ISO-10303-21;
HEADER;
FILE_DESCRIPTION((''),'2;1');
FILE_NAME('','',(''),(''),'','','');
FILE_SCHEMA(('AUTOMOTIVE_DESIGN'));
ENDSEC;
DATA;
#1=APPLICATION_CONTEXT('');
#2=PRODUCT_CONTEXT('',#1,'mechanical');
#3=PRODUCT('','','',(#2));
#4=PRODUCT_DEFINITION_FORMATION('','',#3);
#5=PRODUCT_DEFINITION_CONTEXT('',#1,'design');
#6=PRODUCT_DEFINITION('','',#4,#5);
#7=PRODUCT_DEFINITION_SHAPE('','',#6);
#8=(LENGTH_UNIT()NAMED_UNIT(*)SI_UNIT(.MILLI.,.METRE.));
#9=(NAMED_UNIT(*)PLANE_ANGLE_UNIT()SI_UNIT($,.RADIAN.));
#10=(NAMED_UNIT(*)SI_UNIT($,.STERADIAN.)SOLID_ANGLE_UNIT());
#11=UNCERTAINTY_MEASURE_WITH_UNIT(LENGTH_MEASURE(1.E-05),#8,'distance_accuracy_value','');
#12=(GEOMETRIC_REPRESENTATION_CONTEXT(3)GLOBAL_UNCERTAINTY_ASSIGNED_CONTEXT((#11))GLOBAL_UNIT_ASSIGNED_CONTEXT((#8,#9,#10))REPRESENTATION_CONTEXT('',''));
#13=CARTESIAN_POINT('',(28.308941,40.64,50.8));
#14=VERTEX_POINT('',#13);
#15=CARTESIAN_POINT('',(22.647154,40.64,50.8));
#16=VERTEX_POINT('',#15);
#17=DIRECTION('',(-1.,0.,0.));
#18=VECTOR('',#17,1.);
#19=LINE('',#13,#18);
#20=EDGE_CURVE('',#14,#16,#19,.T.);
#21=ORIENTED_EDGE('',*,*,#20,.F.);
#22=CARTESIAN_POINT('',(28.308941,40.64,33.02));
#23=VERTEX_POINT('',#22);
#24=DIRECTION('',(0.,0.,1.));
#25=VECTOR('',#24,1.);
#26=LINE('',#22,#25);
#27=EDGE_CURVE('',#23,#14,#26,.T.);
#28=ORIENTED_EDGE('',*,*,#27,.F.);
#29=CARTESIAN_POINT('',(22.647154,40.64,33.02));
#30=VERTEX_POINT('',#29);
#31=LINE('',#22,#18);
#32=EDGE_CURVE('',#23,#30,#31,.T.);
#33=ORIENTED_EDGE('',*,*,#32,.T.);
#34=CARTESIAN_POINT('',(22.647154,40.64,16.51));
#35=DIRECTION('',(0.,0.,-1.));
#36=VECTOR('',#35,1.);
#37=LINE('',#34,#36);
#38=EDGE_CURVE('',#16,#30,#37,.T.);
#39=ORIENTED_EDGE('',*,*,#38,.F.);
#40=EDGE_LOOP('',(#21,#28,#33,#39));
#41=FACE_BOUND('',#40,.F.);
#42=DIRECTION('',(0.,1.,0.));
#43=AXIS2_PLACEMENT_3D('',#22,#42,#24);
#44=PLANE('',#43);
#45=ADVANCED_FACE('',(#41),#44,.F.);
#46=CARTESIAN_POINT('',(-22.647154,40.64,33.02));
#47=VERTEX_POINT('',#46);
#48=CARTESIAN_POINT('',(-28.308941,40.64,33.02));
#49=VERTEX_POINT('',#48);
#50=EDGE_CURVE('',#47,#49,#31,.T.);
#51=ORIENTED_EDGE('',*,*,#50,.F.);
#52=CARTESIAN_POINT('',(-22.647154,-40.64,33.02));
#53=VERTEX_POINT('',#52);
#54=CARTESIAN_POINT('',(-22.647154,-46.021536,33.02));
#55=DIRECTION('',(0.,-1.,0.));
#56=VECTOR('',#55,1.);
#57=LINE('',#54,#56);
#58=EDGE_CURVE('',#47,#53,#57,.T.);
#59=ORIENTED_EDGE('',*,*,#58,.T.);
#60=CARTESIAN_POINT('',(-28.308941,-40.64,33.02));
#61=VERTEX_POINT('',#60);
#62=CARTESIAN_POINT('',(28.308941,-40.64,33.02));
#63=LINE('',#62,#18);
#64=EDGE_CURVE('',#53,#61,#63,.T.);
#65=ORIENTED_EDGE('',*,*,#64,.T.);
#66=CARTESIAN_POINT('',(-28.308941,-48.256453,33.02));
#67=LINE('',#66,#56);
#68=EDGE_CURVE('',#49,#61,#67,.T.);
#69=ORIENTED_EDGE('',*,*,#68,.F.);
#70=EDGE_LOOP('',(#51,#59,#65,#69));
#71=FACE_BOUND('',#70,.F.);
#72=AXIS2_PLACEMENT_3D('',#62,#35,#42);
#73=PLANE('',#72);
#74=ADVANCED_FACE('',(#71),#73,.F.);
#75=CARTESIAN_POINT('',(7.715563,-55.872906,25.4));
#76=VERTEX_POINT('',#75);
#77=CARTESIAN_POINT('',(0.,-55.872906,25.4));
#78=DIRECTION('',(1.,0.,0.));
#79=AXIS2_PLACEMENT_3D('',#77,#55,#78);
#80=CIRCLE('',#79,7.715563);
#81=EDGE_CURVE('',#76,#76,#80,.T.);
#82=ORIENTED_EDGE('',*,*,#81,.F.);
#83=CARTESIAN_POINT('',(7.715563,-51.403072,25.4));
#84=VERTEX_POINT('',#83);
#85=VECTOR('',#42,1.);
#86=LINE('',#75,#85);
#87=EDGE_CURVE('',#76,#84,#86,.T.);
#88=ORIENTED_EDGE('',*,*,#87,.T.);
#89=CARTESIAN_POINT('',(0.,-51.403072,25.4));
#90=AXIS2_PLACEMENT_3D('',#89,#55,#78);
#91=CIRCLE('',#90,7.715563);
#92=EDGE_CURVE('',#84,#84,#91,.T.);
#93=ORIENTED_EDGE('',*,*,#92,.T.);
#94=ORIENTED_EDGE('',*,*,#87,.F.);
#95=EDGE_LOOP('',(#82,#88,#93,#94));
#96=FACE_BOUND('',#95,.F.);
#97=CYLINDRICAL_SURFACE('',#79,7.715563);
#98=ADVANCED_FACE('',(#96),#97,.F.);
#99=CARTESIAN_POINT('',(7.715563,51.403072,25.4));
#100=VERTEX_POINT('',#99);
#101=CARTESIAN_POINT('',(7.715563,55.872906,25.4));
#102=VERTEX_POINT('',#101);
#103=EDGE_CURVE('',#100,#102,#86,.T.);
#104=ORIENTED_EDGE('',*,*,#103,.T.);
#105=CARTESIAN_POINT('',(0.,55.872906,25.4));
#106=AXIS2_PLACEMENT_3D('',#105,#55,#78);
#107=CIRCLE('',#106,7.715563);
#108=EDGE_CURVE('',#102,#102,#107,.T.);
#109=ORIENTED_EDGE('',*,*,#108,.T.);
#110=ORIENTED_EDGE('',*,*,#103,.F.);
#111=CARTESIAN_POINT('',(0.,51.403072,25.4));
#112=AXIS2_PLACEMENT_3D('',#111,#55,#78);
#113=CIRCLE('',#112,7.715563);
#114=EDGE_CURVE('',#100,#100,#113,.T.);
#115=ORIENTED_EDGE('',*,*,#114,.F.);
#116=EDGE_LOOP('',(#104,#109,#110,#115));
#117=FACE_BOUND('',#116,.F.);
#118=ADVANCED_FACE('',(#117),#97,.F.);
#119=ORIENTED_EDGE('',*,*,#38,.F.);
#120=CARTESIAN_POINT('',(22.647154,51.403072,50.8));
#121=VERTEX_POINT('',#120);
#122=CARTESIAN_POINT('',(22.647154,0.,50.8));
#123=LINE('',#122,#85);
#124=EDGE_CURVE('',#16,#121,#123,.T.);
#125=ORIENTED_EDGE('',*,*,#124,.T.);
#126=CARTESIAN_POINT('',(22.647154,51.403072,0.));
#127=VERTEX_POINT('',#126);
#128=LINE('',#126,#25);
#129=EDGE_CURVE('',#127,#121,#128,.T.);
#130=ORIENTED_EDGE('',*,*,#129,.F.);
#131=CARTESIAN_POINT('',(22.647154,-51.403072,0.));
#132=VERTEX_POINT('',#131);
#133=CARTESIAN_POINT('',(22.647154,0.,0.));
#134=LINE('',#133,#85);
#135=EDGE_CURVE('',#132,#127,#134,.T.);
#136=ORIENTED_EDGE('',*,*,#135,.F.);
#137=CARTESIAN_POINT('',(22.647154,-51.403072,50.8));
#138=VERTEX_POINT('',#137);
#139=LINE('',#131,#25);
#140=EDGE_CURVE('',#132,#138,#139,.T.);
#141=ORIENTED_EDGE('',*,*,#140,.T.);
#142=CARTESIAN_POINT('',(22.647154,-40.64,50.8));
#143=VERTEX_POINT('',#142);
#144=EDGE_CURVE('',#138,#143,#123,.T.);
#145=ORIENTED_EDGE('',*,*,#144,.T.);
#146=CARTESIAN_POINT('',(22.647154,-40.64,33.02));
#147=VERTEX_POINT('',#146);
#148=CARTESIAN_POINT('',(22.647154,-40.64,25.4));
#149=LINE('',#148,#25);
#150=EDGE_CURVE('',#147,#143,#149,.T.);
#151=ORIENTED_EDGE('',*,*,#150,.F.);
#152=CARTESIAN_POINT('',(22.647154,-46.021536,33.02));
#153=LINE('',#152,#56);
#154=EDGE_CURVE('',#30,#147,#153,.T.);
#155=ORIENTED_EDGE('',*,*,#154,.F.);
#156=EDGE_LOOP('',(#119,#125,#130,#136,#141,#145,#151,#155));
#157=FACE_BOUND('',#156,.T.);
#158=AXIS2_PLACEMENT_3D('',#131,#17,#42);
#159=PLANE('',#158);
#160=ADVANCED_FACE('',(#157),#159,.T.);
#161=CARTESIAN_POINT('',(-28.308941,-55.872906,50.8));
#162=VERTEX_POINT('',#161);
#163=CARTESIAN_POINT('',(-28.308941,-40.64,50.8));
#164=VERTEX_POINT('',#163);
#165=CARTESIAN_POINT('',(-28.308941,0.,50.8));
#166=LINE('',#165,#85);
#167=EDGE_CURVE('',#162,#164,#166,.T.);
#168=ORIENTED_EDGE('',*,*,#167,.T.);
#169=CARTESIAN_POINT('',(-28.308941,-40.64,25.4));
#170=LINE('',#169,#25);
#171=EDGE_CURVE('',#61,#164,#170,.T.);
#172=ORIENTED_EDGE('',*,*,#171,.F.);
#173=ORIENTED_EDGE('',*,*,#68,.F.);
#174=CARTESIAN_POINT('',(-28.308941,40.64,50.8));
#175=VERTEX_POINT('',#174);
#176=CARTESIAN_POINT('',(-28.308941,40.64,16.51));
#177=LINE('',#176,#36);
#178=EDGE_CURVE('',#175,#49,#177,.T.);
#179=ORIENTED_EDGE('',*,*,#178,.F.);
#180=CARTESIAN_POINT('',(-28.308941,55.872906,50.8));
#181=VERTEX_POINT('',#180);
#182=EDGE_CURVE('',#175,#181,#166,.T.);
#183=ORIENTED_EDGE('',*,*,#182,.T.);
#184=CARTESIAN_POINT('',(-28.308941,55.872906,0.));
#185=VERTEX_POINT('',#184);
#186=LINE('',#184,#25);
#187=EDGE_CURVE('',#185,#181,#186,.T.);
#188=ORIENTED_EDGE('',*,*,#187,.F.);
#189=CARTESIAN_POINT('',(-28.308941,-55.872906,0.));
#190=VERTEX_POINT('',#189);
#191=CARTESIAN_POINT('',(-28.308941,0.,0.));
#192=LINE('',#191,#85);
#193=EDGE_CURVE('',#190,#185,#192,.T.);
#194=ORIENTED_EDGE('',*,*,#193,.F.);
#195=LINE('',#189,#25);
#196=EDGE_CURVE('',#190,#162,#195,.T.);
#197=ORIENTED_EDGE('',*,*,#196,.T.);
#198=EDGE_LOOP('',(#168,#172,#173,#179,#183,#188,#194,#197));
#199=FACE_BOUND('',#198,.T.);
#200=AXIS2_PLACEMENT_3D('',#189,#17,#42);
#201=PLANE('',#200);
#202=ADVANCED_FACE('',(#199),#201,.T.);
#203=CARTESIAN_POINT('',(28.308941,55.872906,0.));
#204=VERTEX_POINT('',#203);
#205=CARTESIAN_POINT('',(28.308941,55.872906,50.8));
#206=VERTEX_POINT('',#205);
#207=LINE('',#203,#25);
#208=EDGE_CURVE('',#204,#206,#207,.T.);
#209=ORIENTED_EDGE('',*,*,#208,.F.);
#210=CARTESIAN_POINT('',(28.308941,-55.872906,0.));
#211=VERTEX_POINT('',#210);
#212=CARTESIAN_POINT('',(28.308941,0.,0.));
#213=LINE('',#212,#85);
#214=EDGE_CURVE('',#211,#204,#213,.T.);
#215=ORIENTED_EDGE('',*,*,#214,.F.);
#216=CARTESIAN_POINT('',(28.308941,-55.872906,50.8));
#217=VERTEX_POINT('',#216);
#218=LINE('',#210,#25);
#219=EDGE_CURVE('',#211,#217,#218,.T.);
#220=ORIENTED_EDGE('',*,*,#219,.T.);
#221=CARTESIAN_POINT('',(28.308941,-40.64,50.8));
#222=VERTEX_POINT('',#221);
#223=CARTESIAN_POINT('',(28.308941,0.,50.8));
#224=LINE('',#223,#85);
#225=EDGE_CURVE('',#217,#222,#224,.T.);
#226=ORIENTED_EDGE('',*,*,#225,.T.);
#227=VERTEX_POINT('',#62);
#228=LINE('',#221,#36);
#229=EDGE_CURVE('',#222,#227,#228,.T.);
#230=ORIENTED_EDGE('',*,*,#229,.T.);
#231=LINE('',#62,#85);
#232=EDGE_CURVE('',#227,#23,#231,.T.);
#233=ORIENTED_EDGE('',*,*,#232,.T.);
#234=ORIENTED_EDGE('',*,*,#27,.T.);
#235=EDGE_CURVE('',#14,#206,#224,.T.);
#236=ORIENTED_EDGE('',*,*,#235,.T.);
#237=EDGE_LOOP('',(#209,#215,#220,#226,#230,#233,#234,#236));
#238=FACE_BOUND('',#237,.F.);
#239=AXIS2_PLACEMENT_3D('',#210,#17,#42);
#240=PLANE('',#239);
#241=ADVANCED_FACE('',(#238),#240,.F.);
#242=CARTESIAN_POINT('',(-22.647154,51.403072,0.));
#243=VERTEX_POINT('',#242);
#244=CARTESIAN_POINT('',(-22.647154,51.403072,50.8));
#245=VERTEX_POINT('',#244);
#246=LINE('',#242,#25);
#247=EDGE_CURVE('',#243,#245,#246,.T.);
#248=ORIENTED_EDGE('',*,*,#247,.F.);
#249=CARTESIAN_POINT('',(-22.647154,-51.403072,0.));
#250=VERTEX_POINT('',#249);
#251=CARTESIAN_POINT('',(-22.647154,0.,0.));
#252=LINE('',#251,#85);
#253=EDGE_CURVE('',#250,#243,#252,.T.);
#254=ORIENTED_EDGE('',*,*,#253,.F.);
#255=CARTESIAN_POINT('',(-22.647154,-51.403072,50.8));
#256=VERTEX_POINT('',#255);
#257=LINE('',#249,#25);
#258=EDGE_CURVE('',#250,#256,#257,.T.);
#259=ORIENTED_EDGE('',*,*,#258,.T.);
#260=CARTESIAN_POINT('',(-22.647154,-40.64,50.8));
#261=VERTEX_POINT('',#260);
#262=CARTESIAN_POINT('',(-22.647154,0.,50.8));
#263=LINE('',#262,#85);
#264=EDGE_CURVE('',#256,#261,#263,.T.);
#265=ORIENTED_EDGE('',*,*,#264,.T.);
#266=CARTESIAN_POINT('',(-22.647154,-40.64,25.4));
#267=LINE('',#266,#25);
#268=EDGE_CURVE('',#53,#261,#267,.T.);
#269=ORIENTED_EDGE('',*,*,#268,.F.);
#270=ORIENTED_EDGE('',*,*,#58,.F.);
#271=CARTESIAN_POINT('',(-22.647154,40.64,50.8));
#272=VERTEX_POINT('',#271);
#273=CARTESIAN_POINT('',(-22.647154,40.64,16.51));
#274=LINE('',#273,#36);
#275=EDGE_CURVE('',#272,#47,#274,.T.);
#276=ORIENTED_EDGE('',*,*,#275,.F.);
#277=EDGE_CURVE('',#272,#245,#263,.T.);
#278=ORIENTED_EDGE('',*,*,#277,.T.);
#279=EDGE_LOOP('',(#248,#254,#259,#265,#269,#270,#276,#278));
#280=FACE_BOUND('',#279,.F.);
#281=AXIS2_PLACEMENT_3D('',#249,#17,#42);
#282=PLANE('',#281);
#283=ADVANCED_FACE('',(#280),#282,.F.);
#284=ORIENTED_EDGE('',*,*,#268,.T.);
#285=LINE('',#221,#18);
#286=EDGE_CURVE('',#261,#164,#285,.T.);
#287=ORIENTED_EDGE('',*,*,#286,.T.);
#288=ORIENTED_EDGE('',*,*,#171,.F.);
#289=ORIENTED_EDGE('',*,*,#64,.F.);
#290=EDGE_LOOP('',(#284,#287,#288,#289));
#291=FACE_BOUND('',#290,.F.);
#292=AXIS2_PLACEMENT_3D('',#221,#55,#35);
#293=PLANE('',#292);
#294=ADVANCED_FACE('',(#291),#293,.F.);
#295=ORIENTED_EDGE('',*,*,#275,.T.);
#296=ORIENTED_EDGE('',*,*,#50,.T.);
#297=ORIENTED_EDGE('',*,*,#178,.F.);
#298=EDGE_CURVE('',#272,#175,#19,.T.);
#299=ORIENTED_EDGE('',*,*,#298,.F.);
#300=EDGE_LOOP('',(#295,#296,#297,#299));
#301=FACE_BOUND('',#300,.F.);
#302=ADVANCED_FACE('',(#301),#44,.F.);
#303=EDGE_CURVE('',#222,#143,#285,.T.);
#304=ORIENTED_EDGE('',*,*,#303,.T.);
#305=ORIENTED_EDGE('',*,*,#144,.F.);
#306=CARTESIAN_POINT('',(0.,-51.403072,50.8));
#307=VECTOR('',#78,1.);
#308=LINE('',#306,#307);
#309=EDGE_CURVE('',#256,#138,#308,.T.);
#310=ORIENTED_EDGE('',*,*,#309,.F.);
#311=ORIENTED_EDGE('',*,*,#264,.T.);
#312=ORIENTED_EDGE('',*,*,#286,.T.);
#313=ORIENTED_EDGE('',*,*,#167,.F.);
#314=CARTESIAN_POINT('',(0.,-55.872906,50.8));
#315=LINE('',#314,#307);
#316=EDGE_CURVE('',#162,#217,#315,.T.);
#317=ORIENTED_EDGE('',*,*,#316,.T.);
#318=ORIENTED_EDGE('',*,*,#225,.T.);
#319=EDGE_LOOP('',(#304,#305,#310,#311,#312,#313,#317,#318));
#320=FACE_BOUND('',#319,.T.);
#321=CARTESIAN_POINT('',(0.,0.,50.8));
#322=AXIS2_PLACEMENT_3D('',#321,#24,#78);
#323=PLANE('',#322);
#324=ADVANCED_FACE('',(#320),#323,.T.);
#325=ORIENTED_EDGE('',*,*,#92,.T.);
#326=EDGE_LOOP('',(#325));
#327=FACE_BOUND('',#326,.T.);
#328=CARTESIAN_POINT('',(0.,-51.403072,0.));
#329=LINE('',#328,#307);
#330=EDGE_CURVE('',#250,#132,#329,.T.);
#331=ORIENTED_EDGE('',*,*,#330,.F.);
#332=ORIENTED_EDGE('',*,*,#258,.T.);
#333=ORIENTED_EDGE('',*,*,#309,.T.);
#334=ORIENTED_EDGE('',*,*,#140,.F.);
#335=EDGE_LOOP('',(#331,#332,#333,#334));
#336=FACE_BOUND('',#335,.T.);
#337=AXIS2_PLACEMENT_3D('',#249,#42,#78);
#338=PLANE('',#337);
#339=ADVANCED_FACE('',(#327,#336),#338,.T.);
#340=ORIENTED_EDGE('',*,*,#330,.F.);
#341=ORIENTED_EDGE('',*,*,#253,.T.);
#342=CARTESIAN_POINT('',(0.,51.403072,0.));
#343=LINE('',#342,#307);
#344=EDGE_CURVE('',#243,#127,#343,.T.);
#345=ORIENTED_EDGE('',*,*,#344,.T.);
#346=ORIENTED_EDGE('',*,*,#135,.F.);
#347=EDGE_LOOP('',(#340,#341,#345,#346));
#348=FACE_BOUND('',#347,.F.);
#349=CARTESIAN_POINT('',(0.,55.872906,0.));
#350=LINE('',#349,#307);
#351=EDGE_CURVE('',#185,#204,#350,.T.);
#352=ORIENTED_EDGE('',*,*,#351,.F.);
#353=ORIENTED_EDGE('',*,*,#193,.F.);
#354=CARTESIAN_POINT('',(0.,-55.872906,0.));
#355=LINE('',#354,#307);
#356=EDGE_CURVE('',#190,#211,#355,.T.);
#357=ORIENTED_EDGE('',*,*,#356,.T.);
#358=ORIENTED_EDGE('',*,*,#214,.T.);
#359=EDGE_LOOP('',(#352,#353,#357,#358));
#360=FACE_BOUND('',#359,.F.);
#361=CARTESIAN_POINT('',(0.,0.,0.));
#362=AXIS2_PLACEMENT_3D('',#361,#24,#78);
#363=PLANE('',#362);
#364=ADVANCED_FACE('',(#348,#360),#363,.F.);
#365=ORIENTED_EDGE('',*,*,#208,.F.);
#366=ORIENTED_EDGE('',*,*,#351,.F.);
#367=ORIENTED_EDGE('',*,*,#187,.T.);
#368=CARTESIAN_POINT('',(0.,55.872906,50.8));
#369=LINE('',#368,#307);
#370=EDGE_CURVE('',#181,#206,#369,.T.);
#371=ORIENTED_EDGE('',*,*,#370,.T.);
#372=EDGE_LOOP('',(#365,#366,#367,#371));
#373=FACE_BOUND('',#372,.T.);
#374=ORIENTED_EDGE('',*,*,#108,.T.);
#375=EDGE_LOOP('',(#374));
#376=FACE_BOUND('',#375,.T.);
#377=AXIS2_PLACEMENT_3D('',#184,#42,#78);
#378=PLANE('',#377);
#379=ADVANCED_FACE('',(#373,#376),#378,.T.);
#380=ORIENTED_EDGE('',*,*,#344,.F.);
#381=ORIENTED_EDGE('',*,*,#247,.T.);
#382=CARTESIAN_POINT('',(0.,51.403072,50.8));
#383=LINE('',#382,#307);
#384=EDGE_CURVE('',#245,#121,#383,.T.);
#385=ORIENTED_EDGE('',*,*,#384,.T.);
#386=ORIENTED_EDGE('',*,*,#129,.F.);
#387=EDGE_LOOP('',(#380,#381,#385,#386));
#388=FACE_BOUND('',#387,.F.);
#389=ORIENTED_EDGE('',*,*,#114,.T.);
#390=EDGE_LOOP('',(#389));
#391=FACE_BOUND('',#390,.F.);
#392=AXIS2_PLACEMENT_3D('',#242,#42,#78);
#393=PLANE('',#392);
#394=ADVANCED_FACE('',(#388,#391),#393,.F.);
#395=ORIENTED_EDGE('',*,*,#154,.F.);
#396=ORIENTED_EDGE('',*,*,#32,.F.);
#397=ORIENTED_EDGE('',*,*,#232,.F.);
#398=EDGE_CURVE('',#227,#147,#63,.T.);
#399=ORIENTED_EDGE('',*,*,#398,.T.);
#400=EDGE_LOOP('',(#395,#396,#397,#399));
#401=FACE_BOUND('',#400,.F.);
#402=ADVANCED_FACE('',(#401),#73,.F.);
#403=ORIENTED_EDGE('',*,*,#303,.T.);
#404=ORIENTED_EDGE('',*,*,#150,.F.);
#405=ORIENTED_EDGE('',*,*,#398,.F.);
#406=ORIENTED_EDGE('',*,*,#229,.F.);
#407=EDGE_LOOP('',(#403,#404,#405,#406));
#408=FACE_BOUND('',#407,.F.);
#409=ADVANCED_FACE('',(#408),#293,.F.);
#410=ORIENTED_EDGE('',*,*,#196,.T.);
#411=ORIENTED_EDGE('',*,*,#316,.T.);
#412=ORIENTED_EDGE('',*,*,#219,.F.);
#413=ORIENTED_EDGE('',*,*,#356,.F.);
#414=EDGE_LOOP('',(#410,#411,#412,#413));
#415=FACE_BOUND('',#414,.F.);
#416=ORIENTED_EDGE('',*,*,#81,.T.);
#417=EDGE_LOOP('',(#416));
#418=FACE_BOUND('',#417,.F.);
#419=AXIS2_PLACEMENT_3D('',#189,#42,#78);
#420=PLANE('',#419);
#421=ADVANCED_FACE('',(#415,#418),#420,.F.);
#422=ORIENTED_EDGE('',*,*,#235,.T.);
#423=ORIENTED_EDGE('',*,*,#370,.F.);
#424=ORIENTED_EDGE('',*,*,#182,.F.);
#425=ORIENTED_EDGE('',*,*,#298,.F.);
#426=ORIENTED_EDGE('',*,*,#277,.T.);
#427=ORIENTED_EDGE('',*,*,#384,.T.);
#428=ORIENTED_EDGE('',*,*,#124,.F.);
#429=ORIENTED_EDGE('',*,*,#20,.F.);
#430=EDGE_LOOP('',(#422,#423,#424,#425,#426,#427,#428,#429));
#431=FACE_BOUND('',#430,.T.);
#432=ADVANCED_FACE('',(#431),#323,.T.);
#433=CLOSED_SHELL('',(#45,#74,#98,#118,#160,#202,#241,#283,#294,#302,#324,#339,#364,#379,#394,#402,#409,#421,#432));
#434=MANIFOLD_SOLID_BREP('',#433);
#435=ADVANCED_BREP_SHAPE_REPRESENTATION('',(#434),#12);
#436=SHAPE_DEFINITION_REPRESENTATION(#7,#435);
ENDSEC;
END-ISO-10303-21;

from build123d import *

# Parameters (mm, degrees)
F0_W     = 56.617882
F0_H     = 111.745812
F0_W_2   = 45.294308
F0_H_2   = 102.806144
F1_DEPTH = 50.8
F3_DEPTH = 76.2
F4_R     = 7.715563
F5_DEPTH = 127


with BuildPart() as f1:
    # F0 (on Top) → F1 (new body)
    with BuildSketch(Plane.XY):
        Rectangle(F0_W, F0_H)
        Rectangle(F0_W_2, F0_H_2, mode=Mode.SUBTRACT)
    extrude(amount=F1_DEPTH)

    # F2 (on face) → F3 (cut)
    with BuildSketch(Plane.YZ.offset(28.308941)):
        Polygon((40.64, 50.8), (0, 50.8), (-40.64, 50.8), (-40.64, 33.02), (40.64, 33.02), align=None)
    extrude(amount=-F3_DEPTH, mode=Mode.SUBTRACT)

    # F4 (on face) → F5 (cut)
    with BuildSketch(Plane.XZ.offset(55.872906)):
        with Locations((0, 25.4)):
            Circle(F4_R)
    extrude(amount=-F5_DEPTH, mode=Mode.SUBTRACT)


solid = f1.part
